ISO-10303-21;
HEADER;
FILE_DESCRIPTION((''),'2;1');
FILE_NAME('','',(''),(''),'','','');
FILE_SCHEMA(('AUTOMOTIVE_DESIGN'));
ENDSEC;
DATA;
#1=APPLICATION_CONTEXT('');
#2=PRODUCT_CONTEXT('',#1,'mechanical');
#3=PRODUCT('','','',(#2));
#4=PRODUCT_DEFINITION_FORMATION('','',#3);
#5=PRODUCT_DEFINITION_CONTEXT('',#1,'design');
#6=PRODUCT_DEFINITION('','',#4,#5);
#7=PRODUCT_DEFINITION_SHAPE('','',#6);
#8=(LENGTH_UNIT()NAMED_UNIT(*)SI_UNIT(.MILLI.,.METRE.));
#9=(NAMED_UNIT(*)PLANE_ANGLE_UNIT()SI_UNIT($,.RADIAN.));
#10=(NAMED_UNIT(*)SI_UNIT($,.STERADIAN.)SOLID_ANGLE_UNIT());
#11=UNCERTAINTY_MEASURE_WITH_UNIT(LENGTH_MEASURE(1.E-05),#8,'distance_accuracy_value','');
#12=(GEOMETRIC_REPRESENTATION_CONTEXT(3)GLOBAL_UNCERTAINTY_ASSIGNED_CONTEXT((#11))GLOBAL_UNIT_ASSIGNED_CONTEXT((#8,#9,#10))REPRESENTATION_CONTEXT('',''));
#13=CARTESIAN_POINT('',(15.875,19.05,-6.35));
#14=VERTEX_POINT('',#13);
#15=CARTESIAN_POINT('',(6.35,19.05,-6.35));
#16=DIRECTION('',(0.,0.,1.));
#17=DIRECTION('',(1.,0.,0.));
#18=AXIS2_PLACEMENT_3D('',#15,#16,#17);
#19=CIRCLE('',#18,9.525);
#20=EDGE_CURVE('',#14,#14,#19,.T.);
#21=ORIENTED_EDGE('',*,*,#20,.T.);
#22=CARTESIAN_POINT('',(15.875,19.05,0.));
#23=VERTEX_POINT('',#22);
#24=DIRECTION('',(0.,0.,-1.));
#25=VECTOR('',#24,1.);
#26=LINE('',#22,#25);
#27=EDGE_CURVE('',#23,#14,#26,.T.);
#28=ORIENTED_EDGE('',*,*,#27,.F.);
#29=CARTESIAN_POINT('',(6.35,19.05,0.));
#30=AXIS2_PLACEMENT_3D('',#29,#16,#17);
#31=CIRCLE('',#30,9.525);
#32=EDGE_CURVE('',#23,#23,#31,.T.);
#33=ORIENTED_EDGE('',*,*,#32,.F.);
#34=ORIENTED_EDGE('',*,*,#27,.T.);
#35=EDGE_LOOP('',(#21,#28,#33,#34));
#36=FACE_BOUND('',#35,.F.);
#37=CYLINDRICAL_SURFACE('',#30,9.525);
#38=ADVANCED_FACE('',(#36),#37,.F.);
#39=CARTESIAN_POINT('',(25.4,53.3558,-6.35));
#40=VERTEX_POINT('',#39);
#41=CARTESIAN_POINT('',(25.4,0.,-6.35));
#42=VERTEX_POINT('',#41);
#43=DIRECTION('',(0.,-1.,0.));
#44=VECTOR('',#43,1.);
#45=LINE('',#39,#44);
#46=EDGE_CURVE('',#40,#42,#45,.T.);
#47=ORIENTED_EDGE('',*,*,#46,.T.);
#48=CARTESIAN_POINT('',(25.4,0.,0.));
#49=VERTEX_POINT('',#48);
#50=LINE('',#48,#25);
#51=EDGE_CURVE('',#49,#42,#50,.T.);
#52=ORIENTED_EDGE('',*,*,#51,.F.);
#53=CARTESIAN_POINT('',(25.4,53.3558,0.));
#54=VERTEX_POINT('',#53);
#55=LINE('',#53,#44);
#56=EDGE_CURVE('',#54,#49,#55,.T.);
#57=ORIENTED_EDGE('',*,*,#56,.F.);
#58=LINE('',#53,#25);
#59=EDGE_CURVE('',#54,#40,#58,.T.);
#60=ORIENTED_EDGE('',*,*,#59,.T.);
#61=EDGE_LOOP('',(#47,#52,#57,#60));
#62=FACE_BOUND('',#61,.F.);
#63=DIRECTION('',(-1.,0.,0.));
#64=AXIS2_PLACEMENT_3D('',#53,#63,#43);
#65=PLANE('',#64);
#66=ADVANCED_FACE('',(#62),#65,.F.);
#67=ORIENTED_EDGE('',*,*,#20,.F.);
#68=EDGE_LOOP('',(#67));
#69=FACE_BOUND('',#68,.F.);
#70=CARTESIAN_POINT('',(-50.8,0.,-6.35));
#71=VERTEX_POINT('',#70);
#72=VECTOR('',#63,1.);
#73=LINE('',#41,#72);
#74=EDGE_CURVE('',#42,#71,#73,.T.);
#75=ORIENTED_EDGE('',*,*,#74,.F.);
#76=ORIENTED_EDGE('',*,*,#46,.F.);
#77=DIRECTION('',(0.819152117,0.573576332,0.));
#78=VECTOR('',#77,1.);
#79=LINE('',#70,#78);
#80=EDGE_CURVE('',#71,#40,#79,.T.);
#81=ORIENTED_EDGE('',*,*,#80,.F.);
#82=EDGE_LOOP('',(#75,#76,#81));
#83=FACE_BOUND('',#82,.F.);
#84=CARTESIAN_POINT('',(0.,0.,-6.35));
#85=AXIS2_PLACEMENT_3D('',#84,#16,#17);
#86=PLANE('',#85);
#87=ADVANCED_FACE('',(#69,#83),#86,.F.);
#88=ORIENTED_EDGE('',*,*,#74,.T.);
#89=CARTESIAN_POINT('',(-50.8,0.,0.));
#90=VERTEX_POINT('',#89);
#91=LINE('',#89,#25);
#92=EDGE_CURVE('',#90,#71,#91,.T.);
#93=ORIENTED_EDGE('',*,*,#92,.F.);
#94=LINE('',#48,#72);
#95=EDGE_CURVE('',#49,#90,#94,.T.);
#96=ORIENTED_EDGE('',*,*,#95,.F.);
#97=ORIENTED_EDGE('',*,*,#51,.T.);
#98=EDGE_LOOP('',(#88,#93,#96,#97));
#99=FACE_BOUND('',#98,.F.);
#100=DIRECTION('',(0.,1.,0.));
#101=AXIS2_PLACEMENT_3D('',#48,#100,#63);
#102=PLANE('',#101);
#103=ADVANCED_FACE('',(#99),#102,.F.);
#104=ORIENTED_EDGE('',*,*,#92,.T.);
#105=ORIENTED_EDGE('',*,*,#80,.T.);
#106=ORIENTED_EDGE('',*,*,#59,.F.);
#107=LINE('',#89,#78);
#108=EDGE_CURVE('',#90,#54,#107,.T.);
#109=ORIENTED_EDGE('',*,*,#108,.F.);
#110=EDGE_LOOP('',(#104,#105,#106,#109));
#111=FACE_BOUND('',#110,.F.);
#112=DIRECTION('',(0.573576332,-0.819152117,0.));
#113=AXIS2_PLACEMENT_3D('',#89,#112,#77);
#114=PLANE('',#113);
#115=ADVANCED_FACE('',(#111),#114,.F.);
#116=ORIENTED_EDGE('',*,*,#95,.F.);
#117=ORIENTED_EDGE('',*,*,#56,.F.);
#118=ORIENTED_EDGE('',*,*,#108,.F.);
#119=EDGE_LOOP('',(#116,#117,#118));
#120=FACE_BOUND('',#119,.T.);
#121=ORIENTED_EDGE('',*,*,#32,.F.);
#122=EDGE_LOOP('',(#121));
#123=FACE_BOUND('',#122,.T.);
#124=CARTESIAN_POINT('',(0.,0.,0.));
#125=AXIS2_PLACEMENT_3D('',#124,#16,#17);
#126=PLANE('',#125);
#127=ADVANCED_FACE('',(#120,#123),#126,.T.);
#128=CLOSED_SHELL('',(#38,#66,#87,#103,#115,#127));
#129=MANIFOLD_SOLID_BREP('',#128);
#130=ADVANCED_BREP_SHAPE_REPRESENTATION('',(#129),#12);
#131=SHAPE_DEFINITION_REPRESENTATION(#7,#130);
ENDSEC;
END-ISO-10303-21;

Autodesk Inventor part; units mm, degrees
ref_plane "YZ Plane" through (0, 0, 0) normal (1, 0, 0) x (0, 1, 0)
ref_plane "XZ Plane" through (0, 0, 0) normal (0, 1, 0) x (-1, 0, 0)
ref_plane "XY Plane" through (0, 0, 0) normal (0, 0, 1) x (1, 0, 0)
sketch "triangle" plane through (0, 0, 0) normal (0, 0, 1) x (1, 0, 0)
  line L0 (-50.8, 0) -> (25.4, 53.3558)
  line L1 (25.4, 53.3558) -> (25.4, 0)
  line L2 (25.4, 0) -> (-50.8, 0)
  circle A0 centre (6.35, 19.05) radius 9.525
  point P0 (0, 0)
  dimension "PART_LENGTH" = 76.2
  dimension "THETA" = 35
  dimension "d2" = 53.3558
  dimension "d3" = 25.4
  dimension "d6" = 19.05
  dimension "d7" = 19.05
  dimension "d8" = 19.05
extrude "triangle extrusion" add sketch "triangle" against normal blind 6.35
equation "\"d3\" = 0.333333 * PART_LENGTH"
equation "\"d7\" = 0.25 * PART_LENGTH"
equation "\"d8\" = d7"
properties part number "ASN5-TUT-BK" material "GFRC"
